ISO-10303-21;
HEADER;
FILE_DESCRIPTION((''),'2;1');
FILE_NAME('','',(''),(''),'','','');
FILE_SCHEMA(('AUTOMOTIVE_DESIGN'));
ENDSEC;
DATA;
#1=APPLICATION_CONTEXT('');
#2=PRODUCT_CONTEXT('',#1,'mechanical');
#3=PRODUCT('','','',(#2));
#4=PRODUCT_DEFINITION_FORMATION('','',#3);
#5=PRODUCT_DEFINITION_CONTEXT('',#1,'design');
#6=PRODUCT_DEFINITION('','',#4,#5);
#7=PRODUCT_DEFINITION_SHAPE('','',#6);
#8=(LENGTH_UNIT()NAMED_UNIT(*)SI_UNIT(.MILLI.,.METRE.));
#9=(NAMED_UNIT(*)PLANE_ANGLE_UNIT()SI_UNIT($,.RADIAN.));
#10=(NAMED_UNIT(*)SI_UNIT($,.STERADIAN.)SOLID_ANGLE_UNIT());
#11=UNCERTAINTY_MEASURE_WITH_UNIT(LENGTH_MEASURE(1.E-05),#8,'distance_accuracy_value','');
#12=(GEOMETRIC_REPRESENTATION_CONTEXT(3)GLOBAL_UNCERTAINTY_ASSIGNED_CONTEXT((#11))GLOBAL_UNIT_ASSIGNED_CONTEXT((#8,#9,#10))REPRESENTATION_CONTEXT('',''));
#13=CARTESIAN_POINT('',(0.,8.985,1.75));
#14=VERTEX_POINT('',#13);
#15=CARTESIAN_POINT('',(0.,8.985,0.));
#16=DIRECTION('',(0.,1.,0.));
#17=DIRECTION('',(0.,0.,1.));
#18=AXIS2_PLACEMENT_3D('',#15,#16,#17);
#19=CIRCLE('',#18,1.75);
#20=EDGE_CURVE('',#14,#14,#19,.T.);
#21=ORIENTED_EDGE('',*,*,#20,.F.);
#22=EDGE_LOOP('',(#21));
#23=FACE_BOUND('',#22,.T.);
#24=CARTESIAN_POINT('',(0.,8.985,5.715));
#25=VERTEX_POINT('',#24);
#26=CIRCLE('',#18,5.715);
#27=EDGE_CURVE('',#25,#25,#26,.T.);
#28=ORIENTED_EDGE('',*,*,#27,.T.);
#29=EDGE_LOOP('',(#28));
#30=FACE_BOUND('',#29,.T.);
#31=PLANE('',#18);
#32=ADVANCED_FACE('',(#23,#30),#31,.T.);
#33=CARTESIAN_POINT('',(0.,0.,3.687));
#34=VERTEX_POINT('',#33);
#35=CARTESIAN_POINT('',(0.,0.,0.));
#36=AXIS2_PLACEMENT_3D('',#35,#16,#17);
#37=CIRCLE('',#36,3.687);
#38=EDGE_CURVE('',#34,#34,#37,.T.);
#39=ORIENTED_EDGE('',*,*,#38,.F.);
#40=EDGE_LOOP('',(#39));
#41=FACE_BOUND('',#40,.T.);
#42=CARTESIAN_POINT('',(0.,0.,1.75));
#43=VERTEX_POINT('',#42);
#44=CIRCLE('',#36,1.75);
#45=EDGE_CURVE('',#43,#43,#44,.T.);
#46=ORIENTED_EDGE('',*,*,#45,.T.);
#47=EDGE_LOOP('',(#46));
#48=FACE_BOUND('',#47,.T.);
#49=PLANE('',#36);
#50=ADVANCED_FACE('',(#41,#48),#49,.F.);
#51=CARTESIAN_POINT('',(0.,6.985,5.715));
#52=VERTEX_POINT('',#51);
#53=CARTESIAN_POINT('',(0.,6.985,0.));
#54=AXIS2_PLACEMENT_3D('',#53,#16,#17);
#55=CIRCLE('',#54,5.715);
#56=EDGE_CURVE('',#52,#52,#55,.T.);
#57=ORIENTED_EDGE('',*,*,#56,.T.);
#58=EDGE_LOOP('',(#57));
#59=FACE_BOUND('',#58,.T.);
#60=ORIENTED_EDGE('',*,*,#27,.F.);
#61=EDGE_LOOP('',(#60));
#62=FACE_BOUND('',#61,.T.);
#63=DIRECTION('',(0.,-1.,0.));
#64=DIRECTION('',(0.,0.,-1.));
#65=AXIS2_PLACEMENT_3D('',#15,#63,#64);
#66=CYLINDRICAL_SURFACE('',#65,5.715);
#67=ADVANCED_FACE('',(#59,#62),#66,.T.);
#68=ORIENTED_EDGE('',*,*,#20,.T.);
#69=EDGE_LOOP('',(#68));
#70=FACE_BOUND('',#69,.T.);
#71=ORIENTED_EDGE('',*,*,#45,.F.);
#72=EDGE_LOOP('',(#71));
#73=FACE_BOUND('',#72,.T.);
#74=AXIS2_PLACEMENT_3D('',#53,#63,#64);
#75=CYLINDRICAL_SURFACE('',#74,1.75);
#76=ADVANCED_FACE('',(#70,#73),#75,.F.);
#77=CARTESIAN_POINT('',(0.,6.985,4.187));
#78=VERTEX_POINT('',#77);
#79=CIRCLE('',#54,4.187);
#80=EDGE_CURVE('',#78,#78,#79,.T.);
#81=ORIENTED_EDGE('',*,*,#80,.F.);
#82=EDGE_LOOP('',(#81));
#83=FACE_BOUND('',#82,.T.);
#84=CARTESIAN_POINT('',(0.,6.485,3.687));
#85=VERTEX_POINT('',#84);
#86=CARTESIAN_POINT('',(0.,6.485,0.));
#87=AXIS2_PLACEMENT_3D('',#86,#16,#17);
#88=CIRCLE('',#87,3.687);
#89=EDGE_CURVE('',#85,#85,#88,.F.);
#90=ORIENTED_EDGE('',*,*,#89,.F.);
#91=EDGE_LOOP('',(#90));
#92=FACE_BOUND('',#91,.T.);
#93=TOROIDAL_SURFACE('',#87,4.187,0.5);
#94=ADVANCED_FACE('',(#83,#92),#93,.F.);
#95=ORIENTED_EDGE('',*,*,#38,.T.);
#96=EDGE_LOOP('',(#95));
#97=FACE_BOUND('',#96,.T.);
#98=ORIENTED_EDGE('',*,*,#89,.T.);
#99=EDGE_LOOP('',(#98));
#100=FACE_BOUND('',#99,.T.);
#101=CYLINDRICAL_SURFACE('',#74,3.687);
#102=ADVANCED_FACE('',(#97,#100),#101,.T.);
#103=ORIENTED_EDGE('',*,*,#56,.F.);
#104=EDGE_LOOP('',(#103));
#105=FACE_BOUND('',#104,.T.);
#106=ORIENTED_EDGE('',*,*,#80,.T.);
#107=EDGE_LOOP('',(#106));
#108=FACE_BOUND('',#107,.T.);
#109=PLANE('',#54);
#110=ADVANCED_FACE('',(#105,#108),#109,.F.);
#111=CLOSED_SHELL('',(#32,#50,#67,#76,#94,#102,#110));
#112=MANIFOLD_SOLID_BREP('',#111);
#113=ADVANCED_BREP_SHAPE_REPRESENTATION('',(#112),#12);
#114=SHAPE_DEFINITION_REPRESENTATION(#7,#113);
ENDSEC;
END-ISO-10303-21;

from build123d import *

# Parameters (mm, degrees)
SKETCH1_R           = 3.687
SKETCH1_R_2         = 1.75
BOSS_EXTRUDE1_DEPTH = 6.985
SKETCH2_R           = 5.715
SKETCH2_R_2         = 1.75
BOSS_EXTRUDE2_DEPTH = 2
FILLET1_R           = 0.5


with BuildPart() as part:
    # Sketch1 → Boss-Extrude1 (new body)
    with BuildSketch(Plane(origin=(0, 0, 0), x_dir=(1, 0, 0), z_dir=(0, 1, 0))):
        with Locations(Location((0, 0, 0), (0, 0, 270))):
            Circle(SKETCH1_R)
        with Locations(Location((0, 0, 0), (0, 0, 270))):
            Circle(SKETCH1_R_2, mode=Mode.SUBTRACT)
    extrude(amount=BOSS_EXTRUDE1_DEPTH)

    # Sketch2 → Boss-Extrude2 (add)
    with BuildSketch(Plane(origin=(0, 6.985, 0), x_dir=(1, 0, 0), z_dir=(0, 1, 0))):
        with Locations(Location((0, 0, 0), (0, 0, 270))):
            Circle(SKETCH2_R)
        with Locations(Location((0, 0, 0), (0, 0, 270))):
            Circle(SKETCH2_R_2, mode=Mode.SUBTRACT)
    extrude(amount=BOSS_EXTRUDE2_DEPTH)

    # Fillet1
    fillet1_edges = [part.edges().sort_by_distance(p)[0] for p in [
        (0, 6.985, -3.687),
    ]]
    fillet(fillet1_edges, radius=FILLET1_R)


solid = part.part
